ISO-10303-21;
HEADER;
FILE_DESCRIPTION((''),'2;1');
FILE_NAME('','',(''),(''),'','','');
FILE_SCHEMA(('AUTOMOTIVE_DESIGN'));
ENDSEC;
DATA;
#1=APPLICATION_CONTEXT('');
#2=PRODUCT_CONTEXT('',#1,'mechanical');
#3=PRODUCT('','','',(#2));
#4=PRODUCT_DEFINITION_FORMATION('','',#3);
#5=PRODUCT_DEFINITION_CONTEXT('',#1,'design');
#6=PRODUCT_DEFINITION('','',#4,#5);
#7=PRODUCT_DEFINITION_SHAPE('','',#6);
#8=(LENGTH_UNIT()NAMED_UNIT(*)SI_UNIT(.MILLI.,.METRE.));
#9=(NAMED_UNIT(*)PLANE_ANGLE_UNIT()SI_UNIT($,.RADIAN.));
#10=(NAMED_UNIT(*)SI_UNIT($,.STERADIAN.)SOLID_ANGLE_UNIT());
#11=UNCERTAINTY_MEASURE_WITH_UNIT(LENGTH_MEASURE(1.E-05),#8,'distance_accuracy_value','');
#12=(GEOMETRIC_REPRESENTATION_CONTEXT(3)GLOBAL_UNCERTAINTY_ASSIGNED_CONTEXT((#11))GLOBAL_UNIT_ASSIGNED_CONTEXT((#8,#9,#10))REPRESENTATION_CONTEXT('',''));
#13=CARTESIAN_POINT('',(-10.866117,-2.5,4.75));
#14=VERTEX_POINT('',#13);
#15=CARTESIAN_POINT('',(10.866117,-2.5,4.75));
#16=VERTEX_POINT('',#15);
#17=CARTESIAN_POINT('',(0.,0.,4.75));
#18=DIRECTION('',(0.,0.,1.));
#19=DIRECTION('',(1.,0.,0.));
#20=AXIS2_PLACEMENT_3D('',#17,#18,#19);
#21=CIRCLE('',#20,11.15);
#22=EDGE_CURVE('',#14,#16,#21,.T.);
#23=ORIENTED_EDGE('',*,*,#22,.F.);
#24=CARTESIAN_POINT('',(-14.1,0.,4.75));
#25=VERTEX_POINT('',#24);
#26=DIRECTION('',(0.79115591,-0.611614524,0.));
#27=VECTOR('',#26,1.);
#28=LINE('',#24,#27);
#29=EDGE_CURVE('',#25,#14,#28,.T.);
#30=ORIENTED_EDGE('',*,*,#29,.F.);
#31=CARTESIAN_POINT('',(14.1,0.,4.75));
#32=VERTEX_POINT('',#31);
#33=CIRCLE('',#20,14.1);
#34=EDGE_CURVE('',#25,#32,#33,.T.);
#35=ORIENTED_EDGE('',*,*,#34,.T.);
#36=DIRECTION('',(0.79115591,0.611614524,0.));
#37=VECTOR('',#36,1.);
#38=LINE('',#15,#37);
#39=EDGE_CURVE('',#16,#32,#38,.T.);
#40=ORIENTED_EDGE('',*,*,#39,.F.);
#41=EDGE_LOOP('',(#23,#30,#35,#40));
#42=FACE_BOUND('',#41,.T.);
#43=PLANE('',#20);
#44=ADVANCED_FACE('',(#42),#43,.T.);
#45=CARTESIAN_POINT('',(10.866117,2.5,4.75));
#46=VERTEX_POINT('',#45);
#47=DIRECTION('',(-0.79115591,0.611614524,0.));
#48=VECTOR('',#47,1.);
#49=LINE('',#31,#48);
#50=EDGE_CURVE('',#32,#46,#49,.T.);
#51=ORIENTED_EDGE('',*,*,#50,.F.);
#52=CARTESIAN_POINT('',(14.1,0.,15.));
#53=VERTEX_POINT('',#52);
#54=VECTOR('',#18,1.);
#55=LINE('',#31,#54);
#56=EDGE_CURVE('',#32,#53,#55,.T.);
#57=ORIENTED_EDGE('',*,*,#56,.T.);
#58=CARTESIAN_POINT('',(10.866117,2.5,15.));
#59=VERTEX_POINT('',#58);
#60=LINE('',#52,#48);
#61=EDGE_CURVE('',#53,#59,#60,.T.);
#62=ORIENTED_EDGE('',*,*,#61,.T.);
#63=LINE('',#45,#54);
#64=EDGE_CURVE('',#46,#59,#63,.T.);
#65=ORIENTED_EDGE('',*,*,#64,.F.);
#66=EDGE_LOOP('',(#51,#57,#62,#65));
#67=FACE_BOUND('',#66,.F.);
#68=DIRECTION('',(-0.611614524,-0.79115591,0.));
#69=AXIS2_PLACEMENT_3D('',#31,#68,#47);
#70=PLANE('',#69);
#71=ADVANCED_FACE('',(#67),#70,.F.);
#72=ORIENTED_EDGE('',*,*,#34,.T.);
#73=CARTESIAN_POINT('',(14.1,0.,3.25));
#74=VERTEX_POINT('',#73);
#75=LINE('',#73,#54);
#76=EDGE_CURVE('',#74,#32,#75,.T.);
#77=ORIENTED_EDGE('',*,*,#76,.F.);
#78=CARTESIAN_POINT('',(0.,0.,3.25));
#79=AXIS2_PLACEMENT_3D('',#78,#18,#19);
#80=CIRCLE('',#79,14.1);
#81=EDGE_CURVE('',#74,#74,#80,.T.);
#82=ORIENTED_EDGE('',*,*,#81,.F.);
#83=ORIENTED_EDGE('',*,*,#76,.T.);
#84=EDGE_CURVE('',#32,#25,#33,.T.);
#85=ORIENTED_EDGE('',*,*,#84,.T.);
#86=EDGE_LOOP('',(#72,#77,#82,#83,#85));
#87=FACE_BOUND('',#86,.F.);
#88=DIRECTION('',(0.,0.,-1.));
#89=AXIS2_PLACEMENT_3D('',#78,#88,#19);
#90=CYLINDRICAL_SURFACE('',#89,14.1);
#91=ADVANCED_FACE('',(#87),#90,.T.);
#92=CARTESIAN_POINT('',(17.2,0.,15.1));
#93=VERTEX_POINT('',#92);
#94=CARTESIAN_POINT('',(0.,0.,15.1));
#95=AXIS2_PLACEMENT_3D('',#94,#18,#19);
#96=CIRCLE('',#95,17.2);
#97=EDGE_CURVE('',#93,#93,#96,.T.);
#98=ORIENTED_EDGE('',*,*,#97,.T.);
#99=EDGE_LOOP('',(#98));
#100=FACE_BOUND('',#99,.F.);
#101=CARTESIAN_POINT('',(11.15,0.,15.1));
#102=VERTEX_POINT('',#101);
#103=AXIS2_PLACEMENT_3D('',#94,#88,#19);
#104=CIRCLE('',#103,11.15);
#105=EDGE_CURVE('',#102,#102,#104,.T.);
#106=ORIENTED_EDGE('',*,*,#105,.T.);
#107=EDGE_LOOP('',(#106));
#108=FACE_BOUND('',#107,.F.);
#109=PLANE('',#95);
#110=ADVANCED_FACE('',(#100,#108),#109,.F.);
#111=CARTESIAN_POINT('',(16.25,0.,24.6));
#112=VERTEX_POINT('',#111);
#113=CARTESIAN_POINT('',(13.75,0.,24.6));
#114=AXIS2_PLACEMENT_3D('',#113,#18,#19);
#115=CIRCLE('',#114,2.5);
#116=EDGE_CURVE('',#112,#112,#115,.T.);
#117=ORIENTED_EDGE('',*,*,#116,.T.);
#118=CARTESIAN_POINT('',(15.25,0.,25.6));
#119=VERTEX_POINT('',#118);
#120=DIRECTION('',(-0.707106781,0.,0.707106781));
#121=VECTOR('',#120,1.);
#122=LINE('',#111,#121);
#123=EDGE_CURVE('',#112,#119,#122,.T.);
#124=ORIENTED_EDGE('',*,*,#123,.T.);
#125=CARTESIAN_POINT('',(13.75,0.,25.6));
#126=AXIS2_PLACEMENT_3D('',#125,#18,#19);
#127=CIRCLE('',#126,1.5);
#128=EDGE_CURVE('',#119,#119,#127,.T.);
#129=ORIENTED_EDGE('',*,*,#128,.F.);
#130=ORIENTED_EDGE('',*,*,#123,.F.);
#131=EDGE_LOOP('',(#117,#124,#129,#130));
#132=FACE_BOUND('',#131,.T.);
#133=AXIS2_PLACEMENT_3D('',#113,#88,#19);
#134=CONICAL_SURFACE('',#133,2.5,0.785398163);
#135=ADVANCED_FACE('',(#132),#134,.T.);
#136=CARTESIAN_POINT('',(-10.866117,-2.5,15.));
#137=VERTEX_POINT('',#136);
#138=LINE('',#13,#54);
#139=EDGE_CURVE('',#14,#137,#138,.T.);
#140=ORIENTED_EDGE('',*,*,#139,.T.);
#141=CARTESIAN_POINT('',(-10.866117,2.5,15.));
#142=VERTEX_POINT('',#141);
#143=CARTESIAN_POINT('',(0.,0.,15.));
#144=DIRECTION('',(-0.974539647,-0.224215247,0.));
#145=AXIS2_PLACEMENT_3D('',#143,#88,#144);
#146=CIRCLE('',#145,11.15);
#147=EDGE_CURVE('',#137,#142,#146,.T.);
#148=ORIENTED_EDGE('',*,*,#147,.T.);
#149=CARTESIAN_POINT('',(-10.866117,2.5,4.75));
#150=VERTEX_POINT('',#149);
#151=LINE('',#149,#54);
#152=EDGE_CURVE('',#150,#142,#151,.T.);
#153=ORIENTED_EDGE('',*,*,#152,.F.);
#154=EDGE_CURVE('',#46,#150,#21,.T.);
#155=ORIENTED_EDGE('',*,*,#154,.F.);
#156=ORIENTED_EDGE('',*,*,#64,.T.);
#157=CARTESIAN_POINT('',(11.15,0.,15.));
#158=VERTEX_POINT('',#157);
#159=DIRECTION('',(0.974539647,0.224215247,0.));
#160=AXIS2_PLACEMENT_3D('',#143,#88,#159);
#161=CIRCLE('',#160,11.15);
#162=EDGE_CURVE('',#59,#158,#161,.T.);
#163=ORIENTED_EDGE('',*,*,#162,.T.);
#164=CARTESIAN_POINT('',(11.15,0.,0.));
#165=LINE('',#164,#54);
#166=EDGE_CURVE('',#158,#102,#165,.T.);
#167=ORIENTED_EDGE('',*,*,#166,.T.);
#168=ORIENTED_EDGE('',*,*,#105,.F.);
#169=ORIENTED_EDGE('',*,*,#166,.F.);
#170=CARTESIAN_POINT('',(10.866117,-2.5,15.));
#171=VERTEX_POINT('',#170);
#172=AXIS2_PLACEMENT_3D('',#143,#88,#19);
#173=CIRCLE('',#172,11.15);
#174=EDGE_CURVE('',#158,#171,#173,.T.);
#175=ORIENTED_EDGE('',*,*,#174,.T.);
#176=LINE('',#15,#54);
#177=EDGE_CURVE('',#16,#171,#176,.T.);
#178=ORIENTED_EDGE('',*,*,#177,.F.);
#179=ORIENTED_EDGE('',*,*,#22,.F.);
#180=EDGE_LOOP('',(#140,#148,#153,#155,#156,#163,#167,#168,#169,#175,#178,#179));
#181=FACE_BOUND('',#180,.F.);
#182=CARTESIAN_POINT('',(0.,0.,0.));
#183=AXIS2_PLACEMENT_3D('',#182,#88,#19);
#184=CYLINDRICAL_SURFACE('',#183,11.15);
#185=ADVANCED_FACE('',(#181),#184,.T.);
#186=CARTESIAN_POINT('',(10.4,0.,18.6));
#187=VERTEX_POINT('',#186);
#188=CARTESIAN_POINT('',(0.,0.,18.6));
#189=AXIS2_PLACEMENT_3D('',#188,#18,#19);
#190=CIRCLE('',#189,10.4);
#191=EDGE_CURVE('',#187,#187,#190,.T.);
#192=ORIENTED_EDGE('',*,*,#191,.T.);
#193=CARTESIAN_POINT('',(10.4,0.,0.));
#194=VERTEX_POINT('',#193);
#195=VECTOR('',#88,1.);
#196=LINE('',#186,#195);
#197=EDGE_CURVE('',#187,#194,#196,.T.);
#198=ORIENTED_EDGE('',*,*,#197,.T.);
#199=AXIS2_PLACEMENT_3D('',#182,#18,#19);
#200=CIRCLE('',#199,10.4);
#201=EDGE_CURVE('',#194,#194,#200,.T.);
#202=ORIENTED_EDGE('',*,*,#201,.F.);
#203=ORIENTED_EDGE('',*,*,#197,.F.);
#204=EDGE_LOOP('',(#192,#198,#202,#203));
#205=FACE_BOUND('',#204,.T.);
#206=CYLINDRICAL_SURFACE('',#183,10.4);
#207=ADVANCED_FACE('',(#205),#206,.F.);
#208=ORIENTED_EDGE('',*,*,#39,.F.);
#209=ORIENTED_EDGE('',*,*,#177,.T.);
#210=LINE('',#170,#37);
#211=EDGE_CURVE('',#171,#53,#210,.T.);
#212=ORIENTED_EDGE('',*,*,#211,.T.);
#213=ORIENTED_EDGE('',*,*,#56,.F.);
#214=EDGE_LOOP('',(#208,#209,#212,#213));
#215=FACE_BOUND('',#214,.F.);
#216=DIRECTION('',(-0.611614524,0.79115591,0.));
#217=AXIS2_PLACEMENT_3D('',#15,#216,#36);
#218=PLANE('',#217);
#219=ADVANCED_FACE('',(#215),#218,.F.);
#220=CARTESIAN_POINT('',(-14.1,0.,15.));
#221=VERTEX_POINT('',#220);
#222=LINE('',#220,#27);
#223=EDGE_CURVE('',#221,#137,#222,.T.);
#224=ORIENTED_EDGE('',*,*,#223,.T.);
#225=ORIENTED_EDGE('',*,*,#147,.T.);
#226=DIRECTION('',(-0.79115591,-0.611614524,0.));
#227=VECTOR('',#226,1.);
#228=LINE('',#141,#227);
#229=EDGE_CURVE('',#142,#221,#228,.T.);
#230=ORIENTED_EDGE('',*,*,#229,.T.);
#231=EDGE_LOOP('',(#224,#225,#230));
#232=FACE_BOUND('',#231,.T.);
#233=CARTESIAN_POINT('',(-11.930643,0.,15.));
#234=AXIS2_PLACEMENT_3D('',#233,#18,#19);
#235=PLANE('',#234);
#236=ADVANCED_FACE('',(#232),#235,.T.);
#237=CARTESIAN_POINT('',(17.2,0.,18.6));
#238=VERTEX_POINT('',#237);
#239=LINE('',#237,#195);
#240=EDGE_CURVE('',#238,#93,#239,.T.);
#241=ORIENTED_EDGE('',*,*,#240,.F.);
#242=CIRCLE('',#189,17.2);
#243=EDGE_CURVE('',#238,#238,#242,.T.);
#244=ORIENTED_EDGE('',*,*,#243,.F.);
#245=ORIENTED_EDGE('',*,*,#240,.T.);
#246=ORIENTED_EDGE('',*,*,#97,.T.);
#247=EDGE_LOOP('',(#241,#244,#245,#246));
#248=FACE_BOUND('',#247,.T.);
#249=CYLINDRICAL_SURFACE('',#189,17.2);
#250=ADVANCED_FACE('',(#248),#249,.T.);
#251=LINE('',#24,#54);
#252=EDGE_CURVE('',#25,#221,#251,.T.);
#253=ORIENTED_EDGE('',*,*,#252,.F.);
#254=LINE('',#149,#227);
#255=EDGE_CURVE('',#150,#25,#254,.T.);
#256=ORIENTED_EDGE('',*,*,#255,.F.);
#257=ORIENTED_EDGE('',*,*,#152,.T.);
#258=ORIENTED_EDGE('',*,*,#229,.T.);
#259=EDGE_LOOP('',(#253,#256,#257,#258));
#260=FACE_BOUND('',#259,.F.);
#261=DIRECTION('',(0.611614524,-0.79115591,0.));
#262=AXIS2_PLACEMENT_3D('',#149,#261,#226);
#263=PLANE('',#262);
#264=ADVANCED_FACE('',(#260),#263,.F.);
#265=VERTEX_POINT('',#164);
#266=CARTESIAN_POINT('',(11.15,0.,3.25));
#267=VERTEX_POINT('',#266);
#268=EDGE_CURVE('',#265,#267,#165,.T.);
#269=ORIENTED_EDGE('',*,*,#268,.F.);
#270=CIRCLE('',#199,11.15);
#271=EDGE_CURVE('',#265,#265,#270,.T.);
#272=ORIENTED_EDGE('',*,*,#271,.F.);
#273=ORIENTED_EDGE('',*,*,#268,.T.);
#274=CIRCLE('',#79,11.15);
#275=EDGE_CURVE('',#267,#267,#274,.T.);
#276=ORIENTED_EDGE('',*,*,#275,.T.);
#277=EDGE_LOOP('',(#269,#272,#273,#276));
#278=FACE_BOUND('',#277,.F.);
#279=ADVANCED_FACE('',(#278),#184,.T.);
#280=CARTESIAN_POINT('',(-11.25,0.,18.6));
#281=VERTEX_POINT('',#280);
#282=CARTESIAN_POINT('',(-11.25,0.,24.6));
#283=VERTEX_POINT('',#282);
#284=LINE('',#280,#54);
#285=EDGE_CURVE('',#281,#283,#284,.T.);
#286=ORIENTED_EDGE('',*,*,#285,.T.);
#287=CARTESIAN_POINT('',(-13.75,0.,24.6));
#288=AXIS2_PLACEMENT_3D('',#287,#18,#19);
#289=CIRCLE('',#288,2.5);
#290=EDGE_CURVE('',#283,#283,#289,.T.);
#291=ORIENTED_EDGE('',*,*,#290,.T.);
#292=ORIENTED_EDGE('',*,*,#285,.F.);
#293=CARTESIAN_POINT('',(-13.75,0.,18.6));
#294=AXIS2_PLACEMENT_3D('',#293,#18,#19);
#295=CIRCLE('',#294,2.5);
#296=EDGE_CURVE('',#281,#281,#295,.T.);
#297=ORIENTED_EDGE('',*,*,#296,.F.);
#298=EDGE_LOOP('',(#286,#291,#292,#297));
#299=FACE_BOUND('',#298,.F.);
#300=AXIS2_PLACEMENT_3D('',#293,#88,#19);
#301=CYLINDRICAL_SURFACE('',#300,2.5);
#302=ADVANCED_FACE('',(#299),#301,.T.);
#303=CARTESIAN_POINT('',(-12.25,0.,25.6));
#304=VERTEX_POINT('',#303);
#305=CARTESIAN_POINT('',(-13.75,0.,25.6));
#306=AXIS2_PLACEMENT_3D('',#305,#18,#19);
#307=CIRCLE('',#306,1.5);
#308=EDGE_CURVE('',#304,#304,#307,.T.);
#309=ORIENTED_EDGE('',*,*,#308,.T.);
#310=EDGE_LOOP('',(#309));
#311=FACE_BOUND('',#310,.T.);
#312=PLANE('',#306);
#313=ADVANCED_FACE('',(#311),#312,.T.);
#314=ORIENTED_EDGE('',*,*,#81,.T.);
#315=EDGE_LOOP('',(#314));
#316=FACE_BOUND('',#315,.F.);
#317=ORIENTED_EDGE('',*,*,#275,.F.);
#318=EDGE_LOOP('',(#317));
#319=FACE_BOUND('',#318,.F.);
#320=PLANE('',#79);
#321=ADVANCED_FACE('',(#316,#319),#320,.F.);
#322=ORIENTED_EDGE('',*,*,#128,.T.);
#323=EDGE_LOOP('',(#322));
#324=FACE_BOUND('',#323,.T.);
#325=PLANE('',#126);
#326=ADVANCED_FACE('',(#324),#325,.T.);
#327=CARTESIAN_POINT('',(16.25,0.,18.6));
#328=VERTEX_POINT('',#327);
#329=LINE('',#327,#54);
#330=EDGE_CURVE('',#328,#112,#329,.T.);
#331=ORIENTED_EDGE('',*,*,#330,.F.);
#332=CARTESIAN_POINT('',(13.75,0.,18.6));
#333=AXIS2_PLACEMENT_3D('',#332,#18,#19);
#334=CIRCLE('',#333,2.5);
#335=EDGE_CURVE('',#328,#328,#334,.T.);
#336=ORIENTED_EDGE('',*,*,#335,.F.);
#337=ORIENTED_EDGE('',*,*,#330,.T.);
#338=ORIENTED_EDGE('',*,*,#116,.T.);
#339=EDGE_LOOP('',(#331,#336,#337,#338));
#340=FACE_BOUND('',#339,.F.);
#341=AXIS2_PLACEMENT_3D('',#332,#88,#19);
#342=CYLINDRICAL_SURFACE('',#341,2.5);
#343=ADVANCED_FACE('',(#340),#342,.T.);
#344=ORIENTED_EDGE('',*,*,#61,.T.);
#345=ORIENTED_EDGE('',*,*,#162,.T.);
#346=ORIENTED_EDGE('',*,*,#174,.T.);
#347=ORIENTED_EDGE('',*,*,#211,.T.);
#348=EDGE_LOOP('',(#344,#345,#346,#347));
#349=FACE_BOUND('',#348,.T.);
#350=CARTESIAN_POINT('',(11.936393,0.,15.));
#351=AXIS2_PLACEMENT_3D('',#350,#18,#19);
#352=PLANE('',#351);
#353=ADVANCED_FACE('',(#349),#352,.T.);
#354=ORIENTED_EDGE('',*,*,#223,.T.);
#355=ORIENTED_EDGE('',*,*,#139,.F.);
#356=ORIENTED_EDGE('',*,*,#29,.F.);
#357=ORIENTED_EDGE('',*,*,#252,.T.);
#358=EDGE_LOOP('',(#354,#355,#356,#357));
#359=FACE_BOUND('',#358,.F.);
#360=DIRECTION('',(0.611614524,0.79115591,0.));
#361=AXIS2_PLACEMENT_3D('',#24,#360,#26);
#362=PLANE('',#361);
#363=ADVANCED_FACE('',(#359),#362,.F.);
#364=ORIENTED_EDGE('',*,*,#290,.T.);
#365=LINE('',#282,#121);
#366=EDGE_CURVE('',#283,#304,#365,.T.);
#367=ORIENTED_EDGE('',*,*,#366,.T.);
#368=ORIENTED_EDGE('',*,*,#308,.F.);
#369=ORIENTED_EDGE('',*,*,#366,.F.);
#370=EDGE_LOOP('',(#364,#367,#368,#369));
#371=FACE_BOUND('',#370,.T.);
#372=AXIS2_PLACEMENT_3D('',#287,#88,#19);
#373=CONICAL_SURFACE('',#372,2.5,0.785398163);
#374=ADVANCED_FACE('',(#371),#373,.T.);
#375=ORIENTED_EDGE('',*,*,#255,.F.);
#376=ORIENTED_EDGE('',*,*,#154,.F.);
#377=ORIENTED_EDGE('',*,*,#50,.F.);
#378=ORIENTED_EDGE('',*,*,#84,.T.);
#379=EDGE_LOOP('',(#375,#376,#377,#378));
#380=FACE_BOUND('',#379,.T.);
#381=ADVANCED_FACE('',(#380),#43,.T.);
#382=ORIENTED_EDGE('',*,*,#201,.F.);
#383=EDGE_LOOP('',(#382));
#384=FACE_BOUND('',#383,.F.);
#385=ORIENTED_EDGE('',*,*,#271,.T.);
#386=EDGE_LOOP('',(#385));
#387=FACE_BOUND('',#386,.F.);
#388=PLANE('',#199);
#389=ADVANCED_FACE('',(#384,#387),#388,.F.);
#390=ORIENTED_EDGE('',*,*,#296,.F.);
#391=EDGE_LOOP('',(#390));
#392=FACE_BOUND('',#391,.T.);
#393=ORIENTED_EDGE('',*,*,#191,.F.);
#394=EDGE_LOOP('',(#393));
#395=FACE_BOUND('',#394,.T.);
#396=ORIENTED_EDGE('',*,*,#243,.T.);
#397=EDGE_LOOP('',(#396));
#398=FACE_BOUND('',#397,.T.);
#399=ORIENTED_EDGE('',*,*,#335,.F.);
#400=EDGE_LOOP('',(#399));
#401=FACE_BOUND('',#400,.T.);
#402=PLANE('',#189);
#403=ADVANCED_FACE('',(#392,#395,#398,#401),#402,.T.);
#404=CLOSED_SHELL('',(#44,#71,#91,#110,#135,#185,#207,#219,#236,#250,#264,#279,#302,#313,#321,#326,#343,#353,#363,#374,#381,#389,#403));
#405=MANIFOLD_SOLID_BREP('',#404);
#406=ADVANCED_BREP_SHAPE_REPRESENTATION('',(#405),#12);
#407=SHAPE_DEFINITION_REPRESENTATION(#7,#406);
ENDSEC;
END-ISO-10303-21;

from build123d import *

# Parameters (mm, degrees)
F0_R     = 11.15
F0_R_2   = 10.4
F1_DEPTH = 18.6
F2_START = 3.25
F0_R_3   = 14.1
F2_DEPTH = 1.5
F3_R     = 17.2
F3_R_2   = 11.15
F3_R_3   = 10.4
F4_DEPTH = 3.5
F5_R     = 2.5
F6_DEPTH = 7
F7_SIZE  = 1
F9_DEPTH = 10.25


with BuildPart() as f1:
    # F0 (on Top) → F1 (new body)
    with BuildSketch(Plane.XY):
        Circle(F0_R)
        Circle(F0_R_2, mode=Mode.SUBTRACT)
    extrude(amount=F1_DEPTH)

    # F0 (on Top) → F2 (join)
    with BuildSketch(Plane.XY.offset(F2_START)):
        Circle(F0_R_3)
        Circle(F0_R, mode=Mode.SUBTRACT)
    extrude(amount=F2_DEPTH)

    # F3 (on face) → F4 (join)
    with BuildSketch(Plane.XY.offset(18.6)):
        Circle(F3_R)
        Circle(F3_R_2, mode=Mode.SUBTRACT)
        Circle(F3_R_2)
        Circle(F3_R_3, mode=Mode.SUBTRACT)
    extrude(amount=-F4_DEPTH)

    # F5 (on face) → F6 (join)
    with BuildSketch(Plane.XY.offset(18.6)):
        with Locations((13.75, 0)):
            Circle(F5_R)
        with Locations((-13.75, 0)):
            Circle(F5_R)
    extrude(amount=F6_DEPTH)

    # F7
    f7_edges = [f1.edges().sort_by_distance(p)[0] for p in [
        (-16.25, 0, 25.6),
        (11.25, 0, 25.6),
    ]]
    chamfer(f7_edges, length=F7_SIZE)

    # F8 (on face) → F9 (join)
    with BuildSketch(Plane.XY.offset(4.75)):
        with BuildLine():
            Line((10.8661170618, -2.5), (14.1, 0))
            Line((14.1, 0), (10.8661170618, 2.5))
            ThreePointArc((10.8661170618, 2.5), (11.0788019487, 1.2580331397), (11.15, 0))
            ThreePointArc((11.15, 0), (11.0788019487, -1.2580331397), (10.8661170618, -2.5))
        make_face()
        with BuildLine():
            Line((-10.8661170618, 2.5), (-14.1, 0))
            Line((-14.1, 0), (-10.8661170618, -2.5))
            ThreePointArc((-10.8661170618, -2.5), (-11.15, 0), (-10.8661170618, 2.5))
        make_face()
    extrude(amount=F9_DEPTH)


solid = f1.part
